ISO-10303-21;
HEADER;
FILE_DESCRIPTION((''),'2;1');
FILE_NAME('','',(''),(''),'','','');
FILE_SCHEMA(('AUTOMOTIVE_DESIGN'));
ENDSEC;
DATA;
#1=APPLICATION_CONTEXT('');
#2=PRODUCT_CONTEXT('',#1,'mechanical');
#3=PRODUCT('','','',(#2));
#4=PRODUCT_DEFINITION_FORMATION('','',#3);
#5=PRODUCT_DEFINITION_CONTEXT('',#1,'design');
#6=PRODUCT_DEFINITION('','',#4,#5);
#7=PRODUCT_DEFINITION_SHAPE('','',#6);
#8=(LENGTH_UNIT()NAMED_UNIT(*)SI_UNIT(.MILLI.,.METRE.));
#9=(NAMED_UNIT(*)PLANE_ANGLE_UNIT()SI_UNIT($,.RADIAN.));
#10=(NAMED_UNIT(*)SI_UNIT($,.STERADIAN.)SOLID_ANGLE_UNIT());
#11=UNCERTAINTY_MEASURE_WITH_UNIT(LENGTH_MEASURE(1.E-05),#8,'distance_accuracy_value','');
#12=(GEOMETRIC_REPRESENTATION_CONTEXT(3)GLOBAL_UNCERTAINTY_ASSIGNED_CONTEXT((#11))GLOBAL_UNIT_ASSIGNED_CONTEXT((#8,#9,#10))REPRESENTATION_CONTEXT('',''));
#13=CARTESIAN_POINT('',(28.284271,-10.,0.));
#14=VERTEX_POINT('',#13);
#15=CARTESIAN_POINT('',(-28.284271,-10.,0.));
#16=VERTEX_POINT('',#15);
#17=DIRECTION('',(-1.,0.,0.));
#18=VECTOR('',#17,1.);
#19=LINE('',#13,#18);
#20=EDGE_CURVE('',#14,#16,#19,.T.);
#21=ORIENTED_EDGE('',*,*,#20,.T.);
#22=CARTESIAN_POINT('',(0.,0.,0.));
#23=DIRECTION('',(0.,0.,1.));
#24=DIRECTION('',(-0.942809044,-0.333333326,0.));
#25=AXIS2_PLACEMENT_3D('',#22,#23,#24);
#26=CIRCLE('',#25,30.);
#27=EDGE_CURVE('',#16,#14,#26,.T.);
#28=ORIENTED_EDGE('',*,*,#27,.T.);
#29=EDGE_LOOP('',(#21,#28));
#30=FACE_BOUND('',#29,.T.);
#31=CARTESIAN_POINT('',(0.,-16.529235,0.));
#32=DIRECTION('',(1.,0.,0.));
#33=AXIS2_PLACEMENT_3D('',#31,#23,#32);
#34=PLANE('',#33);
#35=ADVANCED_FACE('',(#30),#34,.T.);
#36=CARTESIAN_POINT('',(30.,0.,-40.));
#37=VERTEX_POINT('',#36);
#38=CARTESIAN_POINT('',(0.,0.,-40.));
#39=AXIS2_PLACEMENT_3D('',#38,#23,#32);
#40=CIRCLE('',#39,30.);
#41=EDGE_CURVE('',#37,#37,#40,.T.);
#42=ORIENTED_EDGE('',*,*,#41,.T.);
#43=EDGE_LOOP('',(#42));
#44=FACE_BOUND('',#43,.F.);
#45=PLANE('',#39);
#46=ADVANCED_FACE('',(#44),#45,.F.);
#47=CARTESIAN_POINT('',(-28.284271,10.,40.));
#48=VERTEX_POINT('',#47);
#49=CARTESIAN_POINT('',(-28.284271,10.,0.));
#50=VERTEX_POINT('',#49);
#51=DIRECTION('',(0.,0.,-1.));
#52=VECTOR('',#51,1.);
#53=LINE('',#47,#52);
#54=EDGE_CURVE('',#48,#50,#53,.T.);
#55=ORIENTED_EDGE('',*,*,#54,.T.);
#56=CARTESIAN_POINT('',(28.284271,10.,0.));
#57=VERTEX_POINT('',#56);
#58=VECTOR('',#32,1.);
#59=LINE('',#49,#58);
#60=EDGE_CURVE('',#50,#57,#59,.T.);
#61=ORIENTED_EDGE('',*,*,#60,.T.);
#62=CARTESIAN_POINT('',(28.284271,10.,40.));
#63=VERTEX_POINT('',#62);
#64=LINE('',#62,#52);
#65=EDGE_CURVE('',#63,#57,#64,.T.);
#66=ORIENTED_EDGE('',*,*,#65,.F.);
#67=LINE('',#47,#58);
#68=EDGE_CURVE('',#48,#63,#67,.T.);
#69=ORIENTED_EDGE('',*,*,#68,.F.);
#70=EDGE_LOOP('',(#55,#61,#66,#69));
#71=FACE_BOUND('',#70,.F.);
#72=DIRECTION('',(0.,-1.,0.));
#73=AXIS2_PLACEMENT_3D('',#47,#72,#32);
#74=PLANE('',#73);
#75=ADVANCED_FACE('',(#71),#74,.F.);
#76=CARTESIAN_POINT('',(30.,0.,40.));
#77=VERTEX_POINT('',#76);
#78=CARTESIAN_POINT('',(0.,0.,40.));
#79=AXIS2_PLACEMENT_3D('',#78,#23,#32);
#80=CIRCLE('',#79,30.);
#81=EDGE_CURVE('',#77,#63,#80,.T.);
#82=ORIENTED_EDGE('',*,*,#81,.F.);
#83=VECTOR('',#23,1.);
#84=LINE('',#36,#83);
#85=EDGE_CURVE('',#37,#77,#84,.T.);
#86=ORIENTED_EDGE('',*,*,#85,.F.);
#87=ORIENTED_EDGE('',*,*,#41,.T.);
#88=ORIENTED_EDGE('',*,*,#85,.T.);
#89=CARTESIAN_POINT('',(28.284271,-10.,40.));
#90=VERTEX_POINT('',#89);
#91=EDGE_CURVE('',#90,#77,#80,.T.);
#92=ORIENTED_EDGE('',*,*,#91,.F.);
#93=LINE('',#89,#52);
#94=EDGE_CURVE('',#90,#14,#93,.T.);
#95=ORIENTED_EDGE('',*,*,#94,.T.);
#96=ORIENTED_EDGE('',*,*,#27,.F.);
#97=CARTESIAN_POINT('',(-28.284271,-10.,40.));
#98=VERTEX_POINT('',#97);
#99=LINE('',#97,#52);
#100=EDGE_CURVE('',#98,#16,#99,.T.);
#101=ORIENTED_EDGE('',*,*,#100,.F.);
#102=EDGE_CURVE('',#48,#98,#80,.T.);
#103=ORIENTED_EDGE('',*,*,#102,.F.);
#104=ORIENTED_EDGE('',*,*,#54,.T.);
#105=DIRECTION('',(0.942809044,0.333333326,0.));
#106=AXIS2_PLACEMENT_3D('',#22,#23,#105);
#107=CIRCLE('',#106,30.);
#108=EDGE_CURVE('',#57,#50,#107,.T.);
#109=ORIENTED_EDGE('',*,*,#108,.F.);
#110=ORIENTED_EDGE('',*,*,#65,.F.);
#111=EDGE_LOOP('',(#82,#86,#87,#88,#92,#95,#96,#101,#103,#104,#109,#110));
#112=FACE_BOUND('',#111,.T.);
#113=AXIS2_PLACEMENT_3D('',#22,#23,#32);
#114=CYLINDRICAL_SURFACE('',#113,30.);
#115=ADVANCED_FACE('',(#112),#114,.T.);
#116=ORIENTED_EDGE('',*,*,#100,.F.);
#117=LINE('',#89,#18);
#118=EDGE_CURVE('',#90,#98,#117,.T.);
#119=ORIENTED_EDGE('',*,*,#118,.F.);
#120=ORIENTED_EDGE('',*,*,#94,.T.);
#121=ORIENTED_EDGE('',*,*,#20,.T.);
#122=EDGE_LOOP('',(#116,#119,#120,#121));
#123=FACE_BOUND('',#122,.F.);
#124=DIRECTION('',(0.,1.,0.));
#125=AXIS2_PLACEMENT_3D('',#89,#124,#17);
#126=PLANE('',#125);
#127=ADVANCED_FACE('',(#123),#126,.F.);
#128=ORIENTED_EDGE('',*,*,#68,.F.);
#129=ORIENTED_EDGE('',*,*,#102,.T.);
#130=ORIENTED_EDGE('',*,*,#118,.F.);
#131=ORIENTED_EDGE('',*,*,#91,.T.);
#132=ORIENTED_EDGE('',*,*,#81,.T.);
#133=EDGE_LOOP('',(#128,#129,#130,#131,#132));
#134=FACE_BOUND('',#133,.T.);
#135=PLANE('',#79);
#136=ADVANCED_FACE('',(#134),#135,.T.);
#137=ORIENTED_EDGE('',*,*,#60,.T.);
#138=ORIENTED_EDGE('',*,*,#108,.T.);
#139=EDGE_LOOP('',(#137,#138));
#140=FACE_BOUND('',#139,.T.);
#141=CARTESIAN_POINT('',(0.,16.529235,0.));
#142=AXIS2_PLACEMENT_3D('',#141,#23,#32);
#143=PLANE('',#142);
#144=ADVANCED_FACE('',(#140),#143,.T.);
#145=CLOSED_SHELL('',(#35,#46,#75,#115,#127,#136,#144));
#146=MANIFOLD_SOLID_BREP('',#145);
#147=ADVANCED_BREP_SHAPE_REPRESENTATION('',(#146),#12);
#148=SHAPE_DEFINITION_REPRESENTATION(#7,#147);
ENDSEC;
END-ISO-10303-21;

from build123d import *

# Parameters (mm, degrees)
F0_R     = 30
F1_DEPTH = 40
F3_DEPTH = 40


with BuildPart() as f1:
    # F0 (on Top) → F1 (new body, symmetric)
    with BuildSketch(Plane.XY):
        Circle(F0_R)
    extrude(amount=F1_DEPTH, both=True)

    # F2 (on face) → F3 (cut)
    with BuildSketch(Plane.XY.offset(40)):
        with BuildLine():
            Line((-28.284271, 10), (28.284271, 10))
            ThreePointArc((28.284271, 10), (0, 30), (-28.284271, 10))
        make_face()
        with BuildLine():
            ThreePointArc((-28.284271, -10), (0, -30), (28.284271, -10))
            Line((28.284271, -10), (-28.284271, -10))
        make_face()
    extrude(amount=-F3_DEPTH, mode=Mode.SUBTRACT)


solid = f1.part
